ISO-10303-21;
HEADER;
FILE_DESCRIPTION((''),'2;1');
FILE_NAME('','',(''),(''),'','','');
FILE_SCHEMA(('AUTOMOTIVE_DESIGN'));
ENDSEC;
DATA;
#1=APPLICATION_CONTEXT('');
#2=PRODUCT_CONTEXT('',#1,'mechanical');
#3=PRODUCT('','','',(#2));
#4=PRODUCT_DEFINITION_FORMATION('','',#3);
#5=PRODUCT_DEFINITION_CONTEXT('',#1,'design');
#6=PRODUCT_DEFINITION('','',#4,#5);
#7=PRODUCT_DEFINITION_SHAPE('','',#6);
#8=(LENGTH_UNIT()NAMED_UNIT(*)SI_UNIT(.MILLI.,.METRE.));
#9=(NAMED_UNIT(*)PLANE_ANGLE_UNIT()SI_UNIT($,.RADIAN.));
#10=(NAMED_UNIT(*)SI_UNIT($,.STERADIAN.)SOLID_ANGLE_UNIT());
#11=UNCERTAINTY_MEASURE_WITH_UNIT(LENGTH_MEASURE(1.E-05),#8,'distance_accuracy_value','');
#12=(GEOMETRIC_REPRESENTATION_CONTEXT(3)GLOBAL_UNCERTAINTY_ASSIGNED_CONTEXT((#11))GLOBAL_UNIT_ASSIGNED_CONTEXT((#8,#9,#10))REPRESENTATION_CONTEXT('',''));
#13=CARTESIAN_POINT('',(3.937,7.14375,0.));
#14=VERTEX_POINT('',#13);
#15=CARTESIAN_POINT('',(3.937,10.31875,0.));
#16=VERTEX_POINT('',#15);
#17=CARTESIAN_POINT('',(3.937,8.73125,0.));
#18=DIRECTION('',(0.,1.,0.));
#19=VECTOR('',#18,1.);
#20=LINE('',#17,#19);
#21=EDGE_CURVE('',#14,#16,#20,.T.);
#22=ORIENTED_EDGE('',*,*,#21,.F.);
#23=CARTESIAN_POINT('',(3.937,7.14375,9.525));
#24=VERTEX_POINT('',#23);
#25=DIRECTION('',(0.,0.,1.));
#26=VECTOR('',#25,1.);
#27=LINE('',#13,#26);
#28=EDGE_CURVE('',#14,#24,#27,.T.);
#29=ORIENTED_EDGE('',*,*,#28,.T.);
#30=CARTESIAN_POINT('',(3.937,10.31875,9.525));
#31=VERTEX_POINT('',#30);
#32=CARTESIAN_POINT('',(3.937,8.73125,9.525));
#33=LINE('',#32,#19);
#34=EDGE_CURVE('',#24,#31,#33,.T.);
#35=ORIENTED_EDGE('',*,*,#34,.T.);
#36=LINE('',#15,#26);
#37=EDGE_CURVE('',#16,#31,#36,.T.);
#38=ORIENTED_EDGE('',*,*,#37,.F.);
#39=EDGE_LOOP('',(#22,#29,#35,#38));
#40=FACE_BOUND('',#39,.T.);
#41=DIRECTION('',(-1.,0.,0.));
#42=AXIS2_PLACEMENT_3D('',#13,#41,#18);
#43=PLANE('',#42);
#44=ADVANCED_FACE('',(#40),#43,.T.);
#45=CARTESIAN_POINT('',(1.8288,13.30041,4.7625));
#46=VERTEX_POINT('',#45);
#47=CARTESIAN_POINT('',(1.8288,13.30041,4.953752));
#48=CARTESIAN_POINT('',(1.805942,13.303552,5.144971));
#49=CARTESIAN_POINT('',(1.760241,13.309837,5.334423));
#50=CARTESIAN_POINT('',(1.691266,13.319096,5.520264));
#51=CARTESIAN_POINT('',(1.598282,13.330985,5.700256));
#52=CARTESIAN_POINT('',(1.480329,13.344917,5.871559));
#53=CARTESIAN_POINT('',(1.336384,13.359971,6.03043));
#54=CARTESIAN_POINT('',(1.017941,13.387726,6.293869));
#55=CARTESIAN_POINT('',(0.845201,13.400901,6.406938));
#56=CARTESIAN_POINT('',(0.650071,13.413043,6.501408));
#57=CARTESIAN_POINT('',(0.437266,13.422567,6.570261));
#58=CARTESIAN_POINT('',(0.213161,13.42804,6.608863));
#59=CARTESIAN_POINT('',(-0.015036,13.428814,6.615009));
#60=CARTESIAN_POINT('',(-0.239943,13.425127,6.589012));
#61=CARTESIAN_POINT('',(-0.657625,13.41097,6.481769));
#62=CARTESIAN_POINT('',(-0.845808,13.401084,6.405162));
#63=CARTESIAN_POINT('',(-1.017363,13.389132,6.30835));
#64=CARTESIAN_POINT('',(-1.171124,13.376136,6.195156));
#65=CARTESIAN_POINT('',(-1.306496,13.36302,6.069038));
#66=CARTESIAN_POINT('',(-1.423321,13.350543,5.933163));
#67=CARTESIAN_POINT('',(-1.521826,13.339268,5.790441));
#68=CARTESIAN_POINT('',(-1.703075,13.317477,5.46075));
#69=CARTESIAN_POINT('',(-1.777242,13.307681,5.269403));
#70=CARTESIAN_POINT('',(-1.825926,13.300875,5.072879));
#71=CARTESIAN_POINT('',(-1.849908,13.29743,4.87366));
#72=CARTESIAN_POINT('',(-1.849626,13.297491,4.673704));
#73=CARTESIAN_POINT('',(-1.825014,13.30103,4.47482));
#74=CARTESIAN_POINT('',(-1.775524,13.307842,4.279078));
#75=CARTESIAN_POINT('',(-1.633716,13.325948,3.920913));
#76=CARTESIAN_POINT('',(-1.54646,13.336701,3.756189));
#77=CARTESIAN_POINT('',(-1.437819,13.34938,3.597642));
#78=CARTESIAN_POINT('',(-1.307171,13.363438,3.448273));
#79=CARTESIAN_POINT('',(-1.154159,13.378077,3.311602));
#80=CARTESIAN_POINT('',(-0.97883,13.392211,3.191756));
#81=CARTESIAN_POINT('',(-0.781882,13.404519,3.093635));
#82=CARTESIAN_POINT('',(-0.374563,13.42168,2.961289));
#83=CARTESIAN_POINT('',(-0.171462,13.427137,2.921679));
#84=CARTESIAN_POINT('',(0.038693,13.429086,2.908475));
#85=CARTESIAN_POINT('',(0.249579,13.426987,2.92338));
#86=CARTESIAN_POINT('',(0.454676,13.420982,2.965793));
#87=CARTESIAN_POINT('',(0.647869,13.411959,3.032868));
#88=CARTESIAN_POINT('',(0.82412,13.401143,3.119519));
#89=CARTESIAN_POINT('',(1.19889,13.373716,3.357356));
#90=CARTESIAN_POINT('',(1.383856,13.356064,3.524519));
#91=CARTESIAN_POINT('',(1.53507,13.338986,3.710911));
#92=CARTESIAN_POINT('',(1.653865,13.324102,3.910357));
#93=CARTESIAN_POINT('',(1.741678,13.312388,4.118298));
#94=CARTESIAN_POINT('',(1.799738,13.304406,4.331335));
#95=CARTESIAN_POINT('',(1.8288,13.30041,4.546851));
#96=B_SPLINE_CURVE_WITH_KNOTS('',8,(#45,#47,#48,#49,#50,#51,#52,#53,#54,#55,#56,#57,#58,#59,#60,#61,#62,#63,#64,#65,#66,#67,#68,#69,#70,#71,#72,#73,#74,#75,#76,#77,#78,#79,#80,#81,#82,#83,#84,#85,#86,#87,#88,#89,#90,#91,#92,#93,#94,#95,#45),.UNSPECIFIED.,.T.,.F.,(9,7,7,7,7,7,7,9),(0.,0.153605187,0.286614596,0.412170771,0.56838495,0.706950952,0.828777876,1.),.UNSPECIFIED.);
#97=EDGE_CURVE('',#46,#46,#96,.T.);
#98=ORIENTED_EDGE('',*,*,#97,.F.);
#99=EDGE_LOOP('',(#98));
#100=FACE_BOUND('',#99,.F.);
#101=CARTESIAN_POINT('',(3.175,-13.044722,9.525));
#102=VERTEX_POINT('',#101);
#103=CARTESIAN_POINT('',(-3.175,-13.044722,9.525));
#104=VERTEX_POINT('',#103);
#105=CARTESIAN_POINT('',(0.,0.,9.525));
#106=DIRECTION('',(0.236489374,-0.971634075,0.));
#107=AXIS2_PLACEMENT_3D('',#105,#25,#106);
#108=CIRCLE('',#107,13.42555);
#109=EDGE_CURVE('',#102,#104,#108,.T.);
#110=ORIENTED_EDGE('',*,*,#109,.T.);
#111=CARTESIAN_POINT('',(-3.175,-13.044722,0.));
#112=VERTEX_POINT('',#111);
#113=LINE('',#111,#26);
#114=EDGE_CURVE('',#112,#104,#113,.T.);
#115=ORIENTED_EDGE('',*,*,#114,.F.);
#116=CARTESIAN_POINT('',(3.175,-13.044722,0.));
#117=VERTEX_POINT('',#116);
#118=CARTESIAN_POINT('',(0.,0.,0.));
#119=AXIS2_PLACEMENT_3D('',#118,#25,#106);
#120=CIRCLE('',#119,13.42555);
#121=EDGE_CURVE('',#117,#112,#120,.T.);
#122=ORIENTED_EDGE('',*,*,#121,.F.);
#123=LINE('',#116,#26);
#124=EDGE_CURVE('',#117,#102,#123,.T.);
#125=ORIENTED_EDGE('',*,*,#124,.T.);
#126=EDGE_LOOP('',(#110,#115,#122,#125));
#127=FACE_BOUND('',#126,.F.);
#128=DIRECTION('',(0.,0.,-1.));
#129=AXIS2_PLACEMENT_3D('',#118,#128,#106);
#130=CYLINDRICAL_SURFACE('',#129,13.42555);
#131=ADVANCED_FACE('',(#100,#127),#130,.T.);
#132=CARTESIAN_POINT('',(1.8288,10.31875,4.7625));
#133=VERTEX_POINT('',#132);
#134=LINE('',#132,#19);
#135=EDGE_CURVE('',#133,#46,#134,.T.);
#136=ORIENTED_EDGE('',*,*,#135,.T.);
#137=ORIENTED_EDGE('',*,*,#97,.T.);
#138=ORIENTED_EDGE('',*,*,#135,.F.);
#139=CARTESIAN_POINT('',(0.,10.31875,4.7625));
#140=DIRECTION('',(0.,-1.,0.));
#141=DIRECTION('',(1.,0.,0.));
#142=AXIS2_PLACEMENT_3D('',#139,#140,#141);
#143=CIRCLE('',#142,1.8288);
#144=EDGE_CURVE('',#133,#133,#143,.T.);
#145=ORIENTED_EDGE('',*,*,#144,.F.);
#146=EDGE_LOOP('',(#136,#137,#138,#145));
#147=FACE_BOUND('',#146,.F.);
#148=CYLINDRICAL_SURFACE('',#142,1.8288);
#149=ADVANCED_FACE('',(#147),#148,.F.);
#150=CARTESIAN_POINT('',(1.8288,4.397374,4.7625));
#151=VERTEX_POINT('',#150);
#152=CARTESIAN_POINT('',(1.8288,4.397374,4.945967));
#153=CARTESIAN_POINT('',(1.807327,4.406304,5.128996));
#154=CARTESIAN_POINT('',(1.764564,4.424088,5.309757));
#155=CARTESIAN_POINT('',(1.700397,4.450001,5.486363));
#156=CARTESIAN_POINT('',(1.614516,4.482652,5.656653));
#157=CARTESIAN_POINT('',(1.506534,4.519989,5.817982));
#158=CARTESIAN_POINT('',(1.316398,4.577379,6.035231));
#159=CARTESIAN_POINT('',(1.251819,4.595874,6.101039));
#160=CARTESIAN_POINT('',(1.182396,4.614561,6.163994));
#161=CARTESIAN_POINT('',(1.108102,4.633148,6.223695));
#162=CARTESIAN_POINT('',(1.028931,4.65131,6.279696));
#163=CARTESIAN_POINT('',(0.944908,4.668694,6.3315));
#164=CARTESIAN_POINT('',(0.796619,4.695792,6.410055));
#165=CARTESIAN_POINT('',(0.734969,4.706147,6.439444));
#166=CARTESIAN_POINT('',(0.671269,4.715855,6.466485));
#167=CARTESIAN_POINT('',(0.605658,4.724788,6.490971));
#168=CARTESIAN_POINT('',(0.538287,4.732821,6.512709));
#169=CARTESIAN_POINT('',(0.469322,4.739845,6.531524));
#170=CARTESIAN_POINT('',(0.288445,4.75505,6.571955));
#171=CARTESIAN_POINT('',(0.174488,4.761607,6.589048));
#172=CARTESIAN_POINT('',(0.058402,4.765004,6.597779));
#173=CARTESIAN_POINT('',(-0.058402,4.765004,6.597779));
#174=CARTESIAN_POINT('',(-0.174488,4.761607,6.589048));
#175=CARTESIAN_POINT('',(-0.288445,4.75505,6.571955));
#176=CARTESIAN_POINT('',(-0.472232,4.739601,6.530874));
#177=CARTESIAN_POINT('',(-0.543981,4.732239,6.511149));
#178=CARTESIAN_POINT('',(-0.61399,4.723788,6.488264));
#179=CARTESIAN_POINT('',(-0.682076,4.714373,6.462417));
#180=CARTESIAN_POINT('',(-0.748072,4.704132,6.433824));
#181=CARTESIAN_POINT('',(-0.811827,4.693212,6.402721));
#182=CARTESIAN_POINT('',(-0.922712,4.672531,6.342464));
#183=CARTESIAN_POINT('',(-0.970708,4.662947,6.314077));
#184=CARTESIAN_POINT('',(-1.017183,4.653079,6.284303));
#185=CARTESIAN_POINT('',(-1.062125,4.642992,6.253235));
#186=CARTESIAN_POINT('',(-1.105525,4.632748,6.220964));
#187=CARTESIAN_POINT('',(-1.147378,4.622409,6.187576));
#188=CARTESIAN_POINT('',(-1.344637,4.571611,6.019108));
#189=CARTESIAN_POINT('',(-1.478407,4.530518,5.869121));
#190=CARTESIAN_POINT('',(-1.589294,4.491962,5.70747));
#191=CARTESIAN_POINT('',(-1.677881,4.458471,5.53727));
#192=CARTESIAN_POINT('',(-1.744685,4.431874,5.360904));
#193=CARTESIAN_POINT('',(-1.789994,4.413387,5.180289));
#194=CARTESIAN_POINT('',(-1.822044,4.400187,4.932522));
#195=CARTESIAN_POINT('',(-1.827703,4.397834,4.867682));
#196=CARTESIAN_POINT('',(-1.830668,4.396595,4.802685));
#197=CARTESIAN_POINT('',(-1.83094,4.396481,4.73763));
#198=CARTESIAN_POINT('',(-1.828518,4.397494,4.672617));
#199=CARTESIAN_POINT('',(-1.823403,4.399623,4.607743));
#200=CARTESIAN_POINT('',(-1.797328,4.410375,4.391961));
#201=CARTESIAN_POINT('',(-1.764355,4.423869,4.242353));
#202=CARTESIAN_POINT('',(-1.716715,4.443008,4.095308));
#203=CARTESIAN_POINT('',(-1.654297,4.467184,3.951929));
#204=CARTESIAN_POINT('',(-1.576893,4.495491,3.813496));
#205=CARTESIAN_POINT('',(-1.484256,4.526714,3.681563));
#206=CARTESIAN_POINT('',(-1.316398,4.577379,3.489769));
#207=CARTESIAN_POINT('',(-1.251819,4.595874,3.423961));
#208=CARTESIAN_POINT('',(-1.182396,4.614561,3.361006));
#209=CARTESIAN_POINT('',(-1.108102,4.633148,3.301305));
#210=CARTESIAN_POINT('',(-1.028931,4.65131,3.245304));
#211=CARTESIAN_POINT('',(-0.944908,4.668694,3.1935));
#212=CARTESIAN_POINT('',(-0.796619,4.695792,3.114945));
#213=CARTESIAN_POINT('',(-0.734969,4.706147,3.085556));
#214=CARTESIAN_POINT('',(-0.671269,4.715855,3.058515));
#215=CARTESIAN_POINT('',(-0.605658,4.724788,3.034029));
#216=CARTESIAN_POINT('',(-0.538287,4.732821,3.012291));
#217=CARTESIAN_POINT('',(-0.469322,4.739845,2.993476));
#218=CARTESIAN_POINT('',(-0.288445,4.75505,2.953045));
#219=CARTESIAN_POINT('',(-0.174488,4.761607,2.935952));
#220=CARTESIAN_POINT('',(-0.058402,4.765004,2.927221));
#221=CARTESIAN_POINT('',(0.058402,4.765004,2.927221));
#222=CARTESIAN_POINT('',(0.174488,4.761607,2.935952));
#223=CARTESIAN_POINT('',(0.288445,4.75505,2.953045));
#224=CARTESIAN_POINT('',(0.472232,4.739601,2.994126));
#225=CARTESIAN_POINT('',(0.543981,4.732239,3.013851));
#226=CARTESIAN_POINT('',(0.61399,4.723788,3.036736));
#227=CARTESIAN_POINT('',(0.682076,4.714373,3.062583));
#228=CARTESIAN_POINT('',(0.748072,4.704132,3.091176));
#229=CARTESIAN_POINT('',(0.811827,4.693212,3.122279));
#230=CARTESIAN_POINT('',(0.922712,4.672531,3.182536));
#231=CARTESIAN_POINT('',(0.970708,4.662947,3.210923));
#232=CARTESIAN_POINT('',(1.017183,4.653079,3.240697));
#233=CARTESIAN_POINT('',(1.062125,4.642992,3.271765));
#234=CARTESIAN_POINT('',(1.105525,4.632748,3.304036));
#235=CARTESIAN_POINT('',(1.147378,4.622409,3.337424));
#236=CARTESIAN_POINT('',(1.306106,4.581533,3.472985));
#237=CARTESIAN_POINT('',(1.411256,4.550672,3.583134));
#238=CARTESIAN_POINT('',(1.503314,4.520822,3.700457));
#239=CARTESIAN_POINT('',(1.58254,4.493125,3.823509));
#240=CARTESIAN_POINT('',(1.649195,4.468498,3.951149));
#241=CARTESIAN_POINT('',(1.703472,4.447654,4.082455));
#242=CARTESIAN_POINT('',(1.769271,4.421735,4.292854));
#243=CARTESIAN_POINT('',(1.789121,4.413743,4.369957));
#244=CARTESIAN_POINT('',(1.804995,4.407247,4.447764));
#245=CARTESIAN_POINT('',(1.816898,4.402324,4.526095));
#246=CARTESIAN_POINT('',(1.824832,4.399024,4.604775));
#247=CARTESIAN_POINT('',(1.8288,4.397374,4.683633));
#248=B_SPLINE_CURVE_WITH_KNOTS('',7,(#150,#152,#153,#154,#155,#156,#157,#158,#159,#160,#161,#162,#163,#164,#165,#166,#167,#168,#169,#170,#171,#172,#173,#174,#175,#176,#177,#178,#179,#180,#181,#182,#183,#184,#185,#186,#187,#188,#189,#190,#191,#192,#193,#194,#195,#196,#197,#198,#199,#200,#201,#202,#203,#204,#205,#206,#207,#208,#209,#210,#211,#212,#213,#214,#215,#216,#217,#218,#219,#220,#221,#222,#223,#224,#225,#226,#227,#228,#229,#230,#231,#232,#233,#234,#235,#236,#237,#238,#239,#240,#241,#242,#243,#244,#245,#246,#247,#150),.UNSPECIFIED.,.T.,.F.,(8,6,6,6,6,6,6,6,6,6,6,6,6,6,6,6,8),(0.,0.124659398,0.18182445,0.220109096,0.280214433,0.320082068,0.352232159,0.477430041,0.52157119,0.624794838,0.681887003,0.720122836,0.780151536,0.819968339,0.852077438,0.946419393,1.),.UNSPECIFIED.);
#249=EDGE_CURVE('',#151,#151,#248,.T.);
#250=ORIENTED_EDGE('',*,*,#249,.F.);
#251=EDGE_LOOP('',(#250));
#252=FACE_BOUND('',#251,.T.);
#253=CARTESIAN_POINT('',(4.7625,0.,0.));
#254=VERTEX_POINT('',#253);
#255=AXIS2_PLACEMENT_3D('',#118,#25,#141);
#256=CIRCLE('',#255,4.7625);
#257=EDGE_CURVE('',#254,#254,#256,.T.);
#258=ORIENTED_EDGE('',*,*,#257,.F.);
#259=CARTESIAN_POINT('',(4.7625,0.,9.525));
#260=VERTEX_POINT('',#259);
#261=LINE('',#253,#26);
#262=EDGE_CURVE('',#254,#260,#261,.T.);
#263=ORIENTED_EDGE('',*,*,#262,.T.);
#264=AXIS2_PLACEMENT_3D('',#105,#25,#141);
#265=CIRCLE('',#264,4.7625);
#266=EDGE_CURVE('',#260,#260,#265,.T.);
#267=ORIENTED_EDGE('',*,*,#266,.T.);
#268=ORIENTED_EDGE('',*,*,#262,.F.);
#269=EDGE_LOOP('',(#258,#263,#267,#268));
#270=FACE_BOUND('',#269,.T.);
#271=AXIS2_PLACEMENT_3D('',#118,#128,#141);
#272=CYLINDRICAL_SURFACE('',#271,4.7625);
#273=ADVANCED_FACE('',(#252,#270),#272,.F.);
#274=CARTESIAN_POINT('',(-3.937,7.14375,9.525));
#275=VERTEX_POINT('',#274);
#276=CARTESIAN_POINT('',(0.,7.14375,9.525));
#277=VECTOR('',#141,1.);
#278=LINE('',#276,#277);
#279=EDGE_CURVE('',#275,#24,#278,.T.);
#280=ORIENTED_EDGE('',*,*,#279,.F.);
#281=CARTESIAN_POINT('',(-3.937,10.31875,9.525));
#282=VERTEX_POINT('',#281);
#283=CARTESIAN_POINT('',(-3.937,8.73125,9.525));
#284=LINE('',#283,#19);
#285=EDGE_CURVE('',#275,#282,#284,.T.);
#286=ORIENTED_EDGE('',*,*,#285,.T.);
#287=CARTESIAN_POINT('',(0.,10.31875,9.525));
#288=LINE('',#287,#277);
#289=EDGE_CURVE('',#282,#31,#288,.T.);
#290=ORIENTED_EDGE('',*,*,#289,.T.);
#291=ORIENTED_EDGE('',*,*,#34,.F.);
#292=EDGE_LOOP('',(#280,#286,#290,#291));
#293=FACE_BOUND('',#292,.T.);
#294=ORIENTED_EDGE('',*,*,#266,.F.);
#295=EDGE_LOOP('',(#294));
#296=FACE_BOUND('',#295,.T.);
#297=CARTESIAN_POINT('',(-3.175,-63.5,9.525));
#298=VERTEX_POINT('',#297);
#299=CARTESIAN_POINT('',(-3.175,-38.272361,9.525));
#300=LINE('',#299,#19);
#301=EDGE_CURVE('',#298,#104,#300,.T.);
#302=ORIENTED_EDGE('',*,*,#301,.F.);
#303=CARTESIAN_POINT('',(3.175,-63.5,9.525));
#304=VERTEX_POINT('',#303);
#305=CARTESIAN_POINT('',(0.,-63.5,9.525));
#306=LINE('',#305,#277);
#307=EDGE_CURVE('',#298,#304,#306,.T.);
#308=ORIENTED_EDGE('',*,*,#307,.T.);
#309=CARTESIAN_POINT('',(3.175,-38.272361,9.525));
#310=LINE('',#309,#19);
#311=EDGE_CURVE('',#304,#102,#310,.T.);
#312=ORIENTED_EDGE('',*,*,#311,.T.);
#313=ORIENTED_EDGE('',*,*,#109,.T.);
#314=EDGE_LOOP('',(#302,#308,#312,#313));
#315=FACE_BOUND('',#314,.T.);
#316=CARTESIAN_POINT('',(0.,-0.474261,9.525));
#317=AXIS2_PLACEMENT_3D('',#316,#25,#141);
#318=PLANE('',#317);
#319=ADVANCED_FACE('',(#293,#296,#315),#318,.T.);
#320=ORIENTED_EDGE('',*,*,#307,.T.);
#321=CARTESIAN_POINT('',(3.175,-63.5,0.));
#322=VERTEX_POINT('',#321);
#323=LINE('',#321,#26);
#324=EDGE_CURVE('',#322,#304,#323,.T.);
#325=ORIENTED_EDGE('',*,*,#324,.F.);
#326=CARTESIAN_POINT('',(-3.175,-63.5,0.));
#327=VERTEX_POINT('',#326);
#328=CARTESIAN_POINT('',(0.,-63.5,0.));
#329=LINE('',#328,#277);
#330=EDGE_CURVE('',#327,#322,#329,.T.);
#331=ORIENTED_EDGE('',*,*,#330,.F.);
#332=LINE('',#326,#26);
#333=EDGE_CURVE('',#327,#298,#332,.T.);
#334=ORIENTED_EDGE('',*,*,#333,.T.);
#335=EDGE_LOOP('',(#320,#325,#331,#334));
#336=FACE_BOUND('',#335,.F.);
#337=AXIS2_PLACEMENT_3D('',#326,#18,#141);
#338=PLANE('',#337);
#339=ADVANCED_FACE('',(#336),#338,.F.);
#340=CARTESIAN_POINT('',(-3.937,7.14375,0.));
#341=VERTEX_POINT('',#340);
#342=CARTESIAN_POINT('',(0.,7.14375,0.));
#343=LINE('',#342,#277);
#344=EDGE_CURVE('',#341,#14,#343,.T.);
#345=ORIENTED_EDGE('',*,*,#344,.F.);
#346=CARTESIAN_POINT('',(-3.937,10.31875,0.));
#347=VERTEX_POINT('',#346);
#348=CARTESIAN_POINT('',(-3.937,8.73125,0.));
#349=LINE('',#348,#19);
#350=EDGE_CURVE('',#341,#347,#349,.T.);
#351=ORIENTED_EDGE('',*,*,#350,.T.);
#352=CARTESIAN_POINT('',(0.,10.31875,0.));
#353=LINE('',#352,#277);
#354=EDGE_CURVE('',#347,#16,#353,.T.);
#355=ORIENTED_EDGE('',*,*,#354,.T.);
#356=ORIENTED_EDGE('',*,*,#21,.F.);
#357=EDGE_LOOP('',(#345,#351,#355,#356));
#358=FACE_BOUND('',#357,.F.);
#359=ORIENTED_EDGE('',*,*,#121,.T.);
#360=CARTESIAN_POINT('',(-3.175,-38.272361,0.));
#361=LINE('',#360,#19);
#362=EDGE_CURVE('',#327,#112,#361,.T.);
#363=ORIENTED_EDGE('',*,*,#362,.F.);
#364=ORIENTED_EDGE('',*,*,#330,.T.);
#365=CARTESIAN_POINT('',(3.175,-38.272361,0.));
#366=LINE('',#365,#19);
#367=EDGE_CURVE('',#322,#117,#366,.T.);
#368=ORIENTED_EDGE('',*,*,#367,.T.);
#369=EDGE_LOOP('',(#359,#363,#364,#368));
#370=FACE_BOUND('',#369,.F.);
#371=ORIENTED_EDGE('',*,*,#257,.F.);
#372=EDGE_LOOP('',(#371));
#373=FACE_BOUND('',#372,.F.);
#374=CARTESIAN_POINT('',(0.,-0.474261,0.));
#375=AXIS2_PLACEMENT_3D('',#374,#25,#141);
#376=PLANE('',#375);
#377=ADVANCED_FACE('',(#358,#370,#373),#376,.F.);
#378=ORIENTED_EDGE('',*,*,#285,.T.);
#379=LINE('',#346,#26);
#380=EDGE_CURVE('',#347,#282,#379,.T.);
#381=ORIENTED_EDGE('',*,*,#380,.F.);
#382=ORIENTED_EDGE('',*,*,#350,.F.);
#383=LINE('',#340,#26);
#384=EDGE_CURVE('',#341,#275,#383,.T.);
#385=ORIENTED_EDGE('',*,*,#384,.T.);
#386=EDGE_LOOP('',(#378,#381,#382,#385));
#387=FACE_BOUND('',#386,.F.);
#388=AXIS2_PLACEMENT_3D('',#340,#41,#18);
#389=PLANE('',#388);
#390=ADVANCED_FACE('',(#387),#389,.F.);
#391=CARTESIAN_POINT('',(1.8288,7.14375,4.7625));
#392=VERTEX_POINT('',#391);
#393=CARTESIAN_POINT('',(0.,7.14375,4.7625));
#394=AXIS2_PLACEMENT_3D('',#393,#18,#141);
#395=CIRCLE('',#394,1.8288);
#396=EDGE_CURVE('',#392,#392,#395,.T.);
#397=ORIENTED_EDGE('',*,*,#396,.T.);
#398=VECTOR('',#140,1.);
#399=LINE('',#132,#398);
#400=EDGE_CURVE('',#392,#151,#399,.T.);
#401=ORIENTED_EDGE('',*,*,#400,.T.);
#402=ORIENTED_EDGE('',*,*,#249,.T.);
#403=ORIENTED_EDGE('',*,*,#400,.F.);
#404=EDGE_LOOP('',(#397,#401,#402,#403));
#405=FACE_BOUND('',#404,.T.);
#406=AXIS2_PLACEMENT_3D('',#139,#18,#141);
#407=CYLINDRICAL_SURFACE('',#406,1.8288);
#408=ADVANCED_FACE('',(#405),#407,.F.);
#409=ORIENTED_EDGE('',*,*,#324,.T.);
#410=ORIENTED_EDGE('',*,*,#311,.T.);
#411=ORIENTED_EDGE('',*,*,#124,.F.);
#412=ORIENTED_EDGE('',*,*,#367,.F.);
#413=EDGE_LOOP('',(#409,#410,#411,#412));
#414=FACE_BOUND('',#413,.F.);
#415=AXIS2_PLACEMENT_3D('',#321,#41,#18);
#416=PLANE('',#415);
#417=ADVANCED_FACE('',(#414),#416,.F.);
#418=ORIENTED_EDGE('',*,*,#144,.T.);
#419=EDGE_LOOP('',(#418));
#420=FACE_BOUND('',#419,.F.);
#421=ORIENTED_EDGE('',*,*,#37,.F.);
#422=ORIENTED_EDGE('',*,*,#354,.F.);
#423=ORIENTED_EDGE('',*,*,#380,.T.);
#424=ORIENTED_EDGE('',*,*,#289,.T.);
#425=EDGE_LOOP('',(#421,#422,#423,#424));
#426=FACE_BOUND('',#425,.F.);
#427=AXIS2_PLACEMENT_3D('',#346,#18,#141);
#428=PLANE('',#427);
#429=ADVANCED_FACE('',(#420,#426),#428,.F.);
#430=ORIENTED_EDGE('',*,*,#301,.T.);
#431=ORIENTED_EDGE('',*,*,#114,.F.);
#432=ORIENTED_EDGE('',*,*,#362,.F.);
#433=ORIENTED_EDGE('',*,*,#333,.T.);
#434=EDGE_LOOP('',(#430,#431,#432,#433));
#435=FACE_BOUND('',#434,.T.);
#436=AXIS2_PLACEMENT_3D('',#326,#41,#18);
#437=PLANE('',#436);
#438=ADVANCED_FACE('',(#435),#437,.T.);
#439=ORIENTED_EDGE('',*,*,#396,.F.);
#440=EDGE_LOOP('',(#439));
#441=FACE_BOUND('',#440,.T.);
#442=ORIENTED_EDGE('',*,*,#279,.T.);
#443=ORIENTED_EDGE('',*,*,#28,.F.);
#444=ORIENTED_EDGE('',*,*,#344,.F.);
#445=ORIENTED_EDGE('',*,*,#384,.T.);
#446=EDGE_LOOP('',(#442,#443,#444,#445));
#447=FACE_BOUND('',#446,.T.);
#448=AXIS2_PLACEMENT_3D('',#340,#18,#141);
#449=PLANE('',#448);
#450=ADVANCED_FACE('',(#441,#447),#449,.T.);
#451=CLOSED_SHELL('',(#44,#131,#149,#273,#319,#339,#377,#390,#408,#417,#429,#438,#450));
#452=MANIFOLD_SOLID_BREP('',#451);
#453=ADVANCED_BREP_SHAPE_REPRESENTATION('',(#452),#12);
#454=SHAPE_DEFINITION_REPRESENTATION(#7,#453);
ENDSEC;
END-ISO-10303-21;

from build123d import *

# Parameters (mm, degrees)
F0_R          = 4.7625
F0_W          = 7.874
F0_H          = 3.175
F0_W_2        = 6.35
F0_H_2        = 50.455277787
F1_DEPTH      = 9.525
F2_R          = 1.8288
F3_DEPTH      = 4.1068004658
F3_DEPTH_BACK = 6.9213762462


with BuildPart() as f1:
    # F0 (on Top) → F1 (new body)
    with BuildSketch(Plane.XY):
        with BuildLine():
            Line((-3.175, -13.044722213), (3.175, -13.044722213))
            ThreePointArc((3.175, -13.044722213), (0, 13.4255503655), (-3.175, -13.044722213))
        make_face()
        Circle(F0_R, mode=Mode.SUBTRACT)
        with Locations((0, 8.73125)):
            Rectangle(F0_W, F0_H, mode=Mode.SUBTRACT)
        with Locations((0, -38.2723611065)):
            Rectangle(F0_W_2, F0_H_2)
    extrude(amount=F1_DEPTH)

    # F2 (on face) → F3 (cut, two sides)
    with BuildSketch(Plane.XZ.offset(-10.31875)) as f3_sk:
        with Locations((0, 4.7625)):
            Circle(F2_R)
    extrude(amount=-F3_DEPTH, mode=Mode.SUBTRACT)
    extrude(f3_sk.sketch, amount=F3_DEPTH_BACK, mode=Mode.SUBTRACT)


solid = f1.part
